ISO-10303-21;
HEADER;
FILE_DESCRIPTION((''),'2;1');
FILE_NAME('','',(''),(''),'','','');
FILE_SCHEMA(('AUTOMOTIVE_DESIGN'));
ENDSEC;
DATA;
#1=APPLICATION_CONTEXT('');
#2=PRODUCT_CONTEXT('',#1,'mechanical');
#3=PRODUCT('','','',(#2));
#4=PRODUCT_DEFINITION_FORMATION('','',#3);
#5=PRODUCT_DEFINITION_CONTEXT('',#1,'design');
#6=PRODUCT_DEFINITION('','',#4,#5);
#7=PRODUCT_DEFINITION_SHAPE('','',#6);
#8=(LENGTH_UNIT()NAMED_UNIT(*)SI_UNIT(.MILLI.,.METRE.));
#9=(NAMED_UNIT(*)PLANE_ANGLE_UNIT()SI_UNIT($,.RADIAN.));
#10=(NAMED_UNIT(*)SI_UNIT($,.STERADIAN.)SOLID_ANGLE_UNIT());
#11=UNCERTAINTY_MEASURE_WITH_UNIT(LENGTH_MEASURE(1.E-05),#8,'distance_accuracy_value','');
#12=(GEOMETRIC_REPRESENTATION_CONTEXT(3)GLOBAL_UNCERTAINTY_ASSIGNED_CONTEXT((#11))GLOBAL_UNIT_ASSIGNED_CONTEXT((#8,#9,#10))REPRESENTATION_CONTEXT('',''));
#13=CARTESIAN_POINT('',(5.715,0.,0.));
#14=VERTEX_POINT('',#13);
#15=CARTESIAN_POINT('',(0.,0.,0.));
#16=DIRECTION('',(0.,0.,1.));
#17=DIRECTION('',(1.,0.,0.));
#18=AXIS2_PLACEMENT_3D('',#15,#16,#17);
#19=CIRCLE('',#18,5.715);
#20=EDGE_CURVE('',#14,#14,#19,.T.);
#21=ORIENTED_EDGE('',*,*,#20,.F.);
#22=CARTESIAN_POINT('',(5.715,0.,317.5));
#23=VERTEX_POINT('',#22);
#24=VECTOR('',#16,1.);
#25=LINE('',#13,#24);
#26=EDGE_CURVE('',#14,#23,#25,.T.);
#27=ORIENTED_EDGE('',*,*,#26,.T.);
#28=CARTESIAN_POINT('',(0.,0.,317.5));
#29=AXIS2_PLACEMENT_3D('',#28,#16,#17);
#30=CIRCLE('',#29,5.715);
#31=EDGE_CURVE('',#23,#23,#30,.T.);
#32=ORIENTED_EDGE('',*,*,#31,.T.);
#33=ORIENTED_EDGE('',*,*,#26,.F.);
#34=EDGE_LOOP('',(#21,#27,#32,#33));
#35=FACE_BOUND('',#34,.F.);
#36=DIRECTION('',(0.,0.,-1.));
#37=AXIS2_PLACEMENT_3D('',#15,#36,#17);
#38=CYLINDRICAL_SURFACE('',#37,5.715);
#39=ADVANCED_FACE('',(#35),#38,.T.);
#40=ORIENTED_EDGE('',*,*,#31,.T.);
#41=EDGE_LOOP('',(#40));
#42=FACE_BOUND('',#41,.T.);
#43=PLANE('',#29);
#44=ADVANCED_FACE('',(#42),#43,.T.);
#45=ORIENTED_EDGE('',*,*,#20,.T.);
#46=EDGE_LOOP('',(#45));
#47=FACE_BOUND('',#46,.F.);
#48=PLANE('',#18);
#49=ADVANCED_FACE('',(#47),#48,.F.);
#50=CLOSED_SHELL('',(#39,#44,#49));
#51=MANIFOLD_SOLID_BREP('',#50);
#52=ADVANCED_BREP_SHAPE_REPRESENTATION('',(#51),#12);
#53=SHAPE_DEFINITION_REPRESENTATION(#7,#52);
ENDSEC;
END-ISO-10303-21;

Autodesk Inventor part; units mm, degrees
ref_plane "YZ Plane" through (0, 0, 0) normal (1, 0, 0) x (0, 1, 0)
ref_plane "XZ Plane" through (0, 0, 0) normal (0, 1, 0) x (-1, 0, 0)
ref_plane "XY Plane" through (0, 0, 0) normal (0, 0, 1) x (1, 0, 0)
sketch "Sketch1" plane through (0, 0, 0) normal (0, 0, 1) x (1, 0, 0)
  circle A0 centre (0, 0) radius 5.715
  dimension "d0" = 11.43
extrude "Extrusion1" add sketch "Sketch1" along normal blind 317.5
properties part number "Cylinder Rod 1"
